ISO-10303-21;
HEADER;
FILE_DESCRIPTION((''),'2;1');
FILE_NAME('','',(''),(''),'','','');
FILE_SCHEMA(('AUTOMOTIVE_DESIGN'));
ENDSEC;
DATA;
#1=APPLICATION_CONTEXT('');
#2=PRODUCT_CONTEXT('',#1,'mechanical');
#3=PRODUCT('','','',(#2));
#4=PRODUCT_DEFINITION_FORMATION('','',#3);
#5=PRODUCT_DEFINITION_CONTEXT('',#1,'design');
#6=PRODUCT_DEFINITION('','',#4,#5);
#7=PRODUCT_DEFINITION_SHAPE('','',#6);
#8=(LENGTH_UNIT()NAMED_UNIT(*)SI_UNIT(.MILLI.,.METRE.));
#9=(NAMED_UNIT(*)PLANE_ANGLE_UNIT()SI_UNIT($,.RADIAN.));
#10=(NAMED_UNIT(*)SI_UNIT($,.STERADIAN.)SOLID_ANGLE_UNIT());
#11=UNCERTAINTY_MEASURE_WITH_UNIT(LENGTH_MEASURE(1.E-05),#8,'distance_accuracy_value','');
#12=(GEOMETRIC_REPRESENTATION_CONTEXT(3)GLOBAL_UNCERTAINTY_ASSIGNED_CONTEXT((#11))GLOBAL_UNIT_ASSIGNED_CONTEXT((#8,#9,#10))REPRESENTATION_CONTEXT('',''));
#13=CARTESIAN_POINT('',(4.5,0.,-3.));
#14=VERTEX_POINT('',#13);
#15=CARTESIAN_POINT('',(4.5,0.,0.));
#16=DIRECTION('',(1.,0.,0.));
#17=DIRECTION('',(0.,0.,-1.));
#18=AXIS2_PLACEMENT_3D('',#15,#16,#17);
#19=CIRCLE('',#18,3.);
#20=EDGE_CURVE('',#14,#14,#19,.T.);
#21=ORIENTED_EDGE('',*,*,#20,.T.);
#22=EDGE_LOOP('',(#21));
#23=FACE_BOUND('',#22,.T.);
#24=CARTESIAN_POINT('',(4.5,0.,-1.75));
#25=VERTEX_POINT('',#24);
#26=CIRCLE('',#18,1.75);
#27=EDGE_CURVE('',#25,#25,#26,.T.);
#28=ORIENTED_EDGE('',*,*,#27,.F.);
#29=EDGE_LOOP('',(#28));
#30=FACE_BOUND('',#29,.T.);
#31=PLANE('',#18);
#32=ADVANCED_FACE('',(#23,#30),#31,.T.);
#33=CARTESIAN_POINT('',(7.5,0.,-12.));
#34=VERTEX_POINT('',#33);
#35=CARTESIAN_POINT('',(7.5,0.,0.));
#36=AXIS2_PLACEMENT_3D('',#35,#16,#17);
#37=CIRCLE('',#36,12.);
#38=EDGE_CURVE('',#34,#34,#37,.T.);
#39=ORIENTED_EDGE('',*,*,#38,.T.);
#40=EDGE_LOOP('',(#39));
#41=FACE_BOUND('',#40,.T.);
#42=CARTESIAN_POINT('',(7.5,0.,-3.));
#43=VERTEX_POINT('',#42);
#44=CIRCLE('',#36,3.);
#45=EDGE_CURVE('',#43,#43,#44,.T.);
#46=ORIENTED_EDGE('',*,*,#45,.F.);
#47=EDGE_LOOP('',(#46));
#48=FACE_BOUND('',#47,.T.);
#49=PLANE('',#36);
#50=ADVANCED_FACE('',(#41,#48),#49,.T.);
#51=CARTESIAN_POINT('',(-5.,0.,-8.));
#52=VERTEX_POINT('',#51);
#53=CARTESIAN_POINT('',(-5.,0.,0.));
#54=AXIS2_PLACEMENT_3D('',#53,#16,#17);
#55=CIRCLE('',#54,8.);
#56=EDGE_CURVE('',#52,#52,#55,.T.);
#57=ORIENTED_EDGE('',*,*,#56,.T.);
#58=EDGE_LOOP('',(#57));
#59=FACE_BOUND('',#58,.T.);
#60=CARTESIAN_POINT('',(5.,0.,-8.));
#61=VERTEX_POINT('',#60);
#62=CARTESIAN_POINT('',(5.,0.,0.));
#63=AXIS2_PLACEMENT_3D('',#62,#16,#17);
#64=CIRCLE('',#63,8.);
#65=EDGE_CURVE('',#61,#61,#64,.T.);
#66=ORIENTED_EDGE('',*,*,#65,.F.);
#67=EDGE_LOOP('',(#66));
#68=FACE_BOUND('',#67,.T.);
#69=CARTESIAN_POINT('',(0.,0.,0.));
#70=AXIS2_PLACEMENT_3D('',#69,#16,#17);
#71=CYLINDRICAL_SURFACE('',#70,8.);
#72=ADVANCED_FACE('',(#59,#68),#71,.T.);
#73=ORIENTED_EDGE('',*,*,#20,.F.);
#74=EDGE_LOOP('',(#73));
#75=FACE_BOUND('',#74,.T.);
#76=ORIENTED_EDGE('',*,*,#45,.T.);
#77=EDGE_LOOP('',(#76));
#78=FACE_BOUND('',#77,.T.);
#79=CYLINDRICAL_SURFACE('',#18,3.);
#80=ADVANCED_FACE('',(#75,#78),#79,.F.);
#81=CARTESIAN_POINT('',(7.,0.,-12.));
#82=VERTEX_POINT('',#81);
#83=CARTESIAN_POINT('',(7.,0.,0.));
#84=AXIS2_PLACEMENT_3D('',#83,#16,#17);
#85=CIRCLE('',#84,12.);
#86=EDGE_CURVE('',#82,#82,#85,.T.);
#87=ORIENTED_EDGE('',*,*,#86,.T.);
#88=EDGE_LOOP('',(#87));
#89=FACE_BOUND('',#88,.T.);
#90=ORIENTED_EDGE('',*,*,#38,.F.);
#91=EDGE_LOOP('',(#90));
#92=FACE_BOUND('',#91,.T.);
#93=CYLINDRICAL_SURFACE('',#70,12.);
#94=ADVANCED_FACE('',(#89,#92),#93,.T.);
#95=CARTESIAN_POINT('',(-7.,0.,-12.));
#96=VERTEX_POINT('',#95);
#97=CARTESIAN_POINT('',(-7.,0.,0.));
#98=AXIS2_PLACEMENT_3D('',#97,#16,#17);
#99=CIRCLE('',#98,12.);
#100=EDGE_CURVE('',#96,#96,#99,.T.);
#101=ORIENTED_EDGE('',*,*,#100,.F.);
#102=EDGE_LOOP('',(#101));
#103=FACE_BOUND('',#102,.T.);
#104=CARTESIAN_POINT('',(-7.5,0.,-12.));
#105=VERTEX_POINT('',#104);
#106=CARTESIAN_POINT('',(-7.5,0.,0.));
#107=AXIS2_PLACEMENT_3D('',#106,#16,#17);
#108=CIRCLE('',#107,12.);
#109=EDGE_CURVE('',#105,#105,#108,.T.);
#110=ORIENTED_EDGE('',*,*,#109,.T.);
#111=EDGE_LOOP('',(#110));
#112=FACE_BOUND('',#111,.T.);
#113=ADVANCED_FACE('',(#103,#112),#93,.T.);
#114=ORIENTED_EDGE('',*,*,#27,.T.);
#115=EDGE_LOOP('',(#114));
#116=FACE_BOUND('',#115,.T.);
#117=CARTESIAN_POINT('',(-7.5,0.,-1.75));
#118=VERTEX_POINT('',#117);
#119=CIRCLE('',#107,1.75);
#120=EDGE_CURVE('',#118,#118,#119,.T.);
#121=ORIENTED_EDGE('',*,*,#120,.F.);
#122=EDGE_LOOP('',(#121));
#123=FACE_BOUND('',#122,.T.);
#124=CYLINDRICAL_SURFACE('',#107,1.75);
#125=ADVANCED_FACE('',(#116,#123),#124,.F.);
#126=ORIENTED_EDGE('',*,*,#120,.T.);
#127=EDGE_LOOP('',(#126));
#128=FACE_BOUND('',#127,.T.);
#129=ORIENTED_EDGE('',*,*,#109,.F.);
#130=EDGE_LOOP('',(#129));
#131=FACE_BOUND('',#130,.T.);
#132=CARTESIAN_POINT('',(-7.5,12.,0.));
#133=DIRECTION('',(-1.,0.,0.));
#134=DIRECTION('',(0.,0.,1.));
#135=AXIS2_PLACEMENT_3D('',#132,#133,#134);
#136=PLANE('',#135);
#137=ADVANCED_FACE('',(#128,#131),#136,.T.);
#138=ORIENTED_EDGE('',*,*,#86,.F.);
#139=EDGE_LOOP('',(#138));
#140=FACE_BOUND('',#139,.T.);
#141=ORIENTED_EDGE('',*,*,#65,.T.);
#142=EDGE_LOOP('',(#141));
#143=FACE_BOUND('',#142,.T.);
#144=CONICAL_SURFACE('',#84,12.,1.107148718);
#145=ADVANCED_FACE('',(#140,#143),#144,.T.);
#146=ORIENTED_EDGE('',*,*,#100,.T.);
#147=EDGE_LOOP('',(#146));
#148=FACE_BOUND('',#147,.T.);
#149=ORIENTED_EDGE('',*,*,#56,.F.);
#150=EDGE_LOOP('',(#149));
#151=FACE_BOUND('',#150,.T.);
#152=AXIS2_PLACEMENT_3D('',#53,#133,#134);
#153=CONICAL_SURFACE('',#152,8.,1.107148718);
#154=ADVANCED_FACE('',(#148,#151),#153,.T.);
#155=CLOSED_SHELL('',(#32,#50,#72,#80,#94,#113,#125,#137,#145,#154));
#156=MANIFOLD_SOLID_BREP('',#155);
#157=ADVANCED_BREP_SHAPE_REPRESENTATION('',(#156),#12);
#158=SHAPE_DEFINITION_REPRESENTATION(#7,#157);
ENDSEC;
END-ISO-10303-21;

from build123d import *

# Parameters (mm, degrees)
ESQUISSE2_R                  = 3
ENL_V_MAT_EXTRU_1_DEPTH      = 3
ESQUISSE3_R                  = 1.75
ENL_V_MAT_EXTRU_2_DEPTH      = 4
ENL_V_MAT_EXTRU_2_DEPTH_BACK = 13


with BuildPart() as part:
    # Esquisse1 → Révolution1 (revolve)
    with BuildSketch(Plane.XY):
        Polygon((-7.5, 0), (7.5, 0), (7.5, 12), (7, 12), (5, 8), (-5, 8), (-7, 12), (-7.5, 12), align=None)
    revolve(axis=Axis((0, 0, 0), (-1, 0, 0)))

    # Esquisse2 → Enlèv. mat.-Extru.1 (cut)
    with BuildSketch(Plane(origin=(7.5, 0, 0), x_dir=(0, 0, -1), z_dir=(1, 0, 0))):
        Circle(ESQUISSE2_R)
    extrude(amount=-ENL_V_MAT_EXTRU_1_DEPTH, mode=Mode.SUBTRACT)

    # Esquisse3 → Enlèv. mat.-Extru.2 (cut, two sides)
    with BuildSketch(Plane(origin=(4.5, 0, 0), x_dir=(0, 0, -1), z_dir=(1, 0, 0))) as enl_v_mat_extru_2_sk:
        Circle(ESQUISSE3_R)
    extrude(amount=ENL_V_MAT_EXTRU_2_DEPTH, mode=Mode.SUBTRACT)
    extrude(enl_v_mat_extru_2_sk.sketch, amount=-ENL_V_MAT_EXTRU_2_DEPTH_BACK, mode=Mode.SUBTRACT)


solid = part.part
